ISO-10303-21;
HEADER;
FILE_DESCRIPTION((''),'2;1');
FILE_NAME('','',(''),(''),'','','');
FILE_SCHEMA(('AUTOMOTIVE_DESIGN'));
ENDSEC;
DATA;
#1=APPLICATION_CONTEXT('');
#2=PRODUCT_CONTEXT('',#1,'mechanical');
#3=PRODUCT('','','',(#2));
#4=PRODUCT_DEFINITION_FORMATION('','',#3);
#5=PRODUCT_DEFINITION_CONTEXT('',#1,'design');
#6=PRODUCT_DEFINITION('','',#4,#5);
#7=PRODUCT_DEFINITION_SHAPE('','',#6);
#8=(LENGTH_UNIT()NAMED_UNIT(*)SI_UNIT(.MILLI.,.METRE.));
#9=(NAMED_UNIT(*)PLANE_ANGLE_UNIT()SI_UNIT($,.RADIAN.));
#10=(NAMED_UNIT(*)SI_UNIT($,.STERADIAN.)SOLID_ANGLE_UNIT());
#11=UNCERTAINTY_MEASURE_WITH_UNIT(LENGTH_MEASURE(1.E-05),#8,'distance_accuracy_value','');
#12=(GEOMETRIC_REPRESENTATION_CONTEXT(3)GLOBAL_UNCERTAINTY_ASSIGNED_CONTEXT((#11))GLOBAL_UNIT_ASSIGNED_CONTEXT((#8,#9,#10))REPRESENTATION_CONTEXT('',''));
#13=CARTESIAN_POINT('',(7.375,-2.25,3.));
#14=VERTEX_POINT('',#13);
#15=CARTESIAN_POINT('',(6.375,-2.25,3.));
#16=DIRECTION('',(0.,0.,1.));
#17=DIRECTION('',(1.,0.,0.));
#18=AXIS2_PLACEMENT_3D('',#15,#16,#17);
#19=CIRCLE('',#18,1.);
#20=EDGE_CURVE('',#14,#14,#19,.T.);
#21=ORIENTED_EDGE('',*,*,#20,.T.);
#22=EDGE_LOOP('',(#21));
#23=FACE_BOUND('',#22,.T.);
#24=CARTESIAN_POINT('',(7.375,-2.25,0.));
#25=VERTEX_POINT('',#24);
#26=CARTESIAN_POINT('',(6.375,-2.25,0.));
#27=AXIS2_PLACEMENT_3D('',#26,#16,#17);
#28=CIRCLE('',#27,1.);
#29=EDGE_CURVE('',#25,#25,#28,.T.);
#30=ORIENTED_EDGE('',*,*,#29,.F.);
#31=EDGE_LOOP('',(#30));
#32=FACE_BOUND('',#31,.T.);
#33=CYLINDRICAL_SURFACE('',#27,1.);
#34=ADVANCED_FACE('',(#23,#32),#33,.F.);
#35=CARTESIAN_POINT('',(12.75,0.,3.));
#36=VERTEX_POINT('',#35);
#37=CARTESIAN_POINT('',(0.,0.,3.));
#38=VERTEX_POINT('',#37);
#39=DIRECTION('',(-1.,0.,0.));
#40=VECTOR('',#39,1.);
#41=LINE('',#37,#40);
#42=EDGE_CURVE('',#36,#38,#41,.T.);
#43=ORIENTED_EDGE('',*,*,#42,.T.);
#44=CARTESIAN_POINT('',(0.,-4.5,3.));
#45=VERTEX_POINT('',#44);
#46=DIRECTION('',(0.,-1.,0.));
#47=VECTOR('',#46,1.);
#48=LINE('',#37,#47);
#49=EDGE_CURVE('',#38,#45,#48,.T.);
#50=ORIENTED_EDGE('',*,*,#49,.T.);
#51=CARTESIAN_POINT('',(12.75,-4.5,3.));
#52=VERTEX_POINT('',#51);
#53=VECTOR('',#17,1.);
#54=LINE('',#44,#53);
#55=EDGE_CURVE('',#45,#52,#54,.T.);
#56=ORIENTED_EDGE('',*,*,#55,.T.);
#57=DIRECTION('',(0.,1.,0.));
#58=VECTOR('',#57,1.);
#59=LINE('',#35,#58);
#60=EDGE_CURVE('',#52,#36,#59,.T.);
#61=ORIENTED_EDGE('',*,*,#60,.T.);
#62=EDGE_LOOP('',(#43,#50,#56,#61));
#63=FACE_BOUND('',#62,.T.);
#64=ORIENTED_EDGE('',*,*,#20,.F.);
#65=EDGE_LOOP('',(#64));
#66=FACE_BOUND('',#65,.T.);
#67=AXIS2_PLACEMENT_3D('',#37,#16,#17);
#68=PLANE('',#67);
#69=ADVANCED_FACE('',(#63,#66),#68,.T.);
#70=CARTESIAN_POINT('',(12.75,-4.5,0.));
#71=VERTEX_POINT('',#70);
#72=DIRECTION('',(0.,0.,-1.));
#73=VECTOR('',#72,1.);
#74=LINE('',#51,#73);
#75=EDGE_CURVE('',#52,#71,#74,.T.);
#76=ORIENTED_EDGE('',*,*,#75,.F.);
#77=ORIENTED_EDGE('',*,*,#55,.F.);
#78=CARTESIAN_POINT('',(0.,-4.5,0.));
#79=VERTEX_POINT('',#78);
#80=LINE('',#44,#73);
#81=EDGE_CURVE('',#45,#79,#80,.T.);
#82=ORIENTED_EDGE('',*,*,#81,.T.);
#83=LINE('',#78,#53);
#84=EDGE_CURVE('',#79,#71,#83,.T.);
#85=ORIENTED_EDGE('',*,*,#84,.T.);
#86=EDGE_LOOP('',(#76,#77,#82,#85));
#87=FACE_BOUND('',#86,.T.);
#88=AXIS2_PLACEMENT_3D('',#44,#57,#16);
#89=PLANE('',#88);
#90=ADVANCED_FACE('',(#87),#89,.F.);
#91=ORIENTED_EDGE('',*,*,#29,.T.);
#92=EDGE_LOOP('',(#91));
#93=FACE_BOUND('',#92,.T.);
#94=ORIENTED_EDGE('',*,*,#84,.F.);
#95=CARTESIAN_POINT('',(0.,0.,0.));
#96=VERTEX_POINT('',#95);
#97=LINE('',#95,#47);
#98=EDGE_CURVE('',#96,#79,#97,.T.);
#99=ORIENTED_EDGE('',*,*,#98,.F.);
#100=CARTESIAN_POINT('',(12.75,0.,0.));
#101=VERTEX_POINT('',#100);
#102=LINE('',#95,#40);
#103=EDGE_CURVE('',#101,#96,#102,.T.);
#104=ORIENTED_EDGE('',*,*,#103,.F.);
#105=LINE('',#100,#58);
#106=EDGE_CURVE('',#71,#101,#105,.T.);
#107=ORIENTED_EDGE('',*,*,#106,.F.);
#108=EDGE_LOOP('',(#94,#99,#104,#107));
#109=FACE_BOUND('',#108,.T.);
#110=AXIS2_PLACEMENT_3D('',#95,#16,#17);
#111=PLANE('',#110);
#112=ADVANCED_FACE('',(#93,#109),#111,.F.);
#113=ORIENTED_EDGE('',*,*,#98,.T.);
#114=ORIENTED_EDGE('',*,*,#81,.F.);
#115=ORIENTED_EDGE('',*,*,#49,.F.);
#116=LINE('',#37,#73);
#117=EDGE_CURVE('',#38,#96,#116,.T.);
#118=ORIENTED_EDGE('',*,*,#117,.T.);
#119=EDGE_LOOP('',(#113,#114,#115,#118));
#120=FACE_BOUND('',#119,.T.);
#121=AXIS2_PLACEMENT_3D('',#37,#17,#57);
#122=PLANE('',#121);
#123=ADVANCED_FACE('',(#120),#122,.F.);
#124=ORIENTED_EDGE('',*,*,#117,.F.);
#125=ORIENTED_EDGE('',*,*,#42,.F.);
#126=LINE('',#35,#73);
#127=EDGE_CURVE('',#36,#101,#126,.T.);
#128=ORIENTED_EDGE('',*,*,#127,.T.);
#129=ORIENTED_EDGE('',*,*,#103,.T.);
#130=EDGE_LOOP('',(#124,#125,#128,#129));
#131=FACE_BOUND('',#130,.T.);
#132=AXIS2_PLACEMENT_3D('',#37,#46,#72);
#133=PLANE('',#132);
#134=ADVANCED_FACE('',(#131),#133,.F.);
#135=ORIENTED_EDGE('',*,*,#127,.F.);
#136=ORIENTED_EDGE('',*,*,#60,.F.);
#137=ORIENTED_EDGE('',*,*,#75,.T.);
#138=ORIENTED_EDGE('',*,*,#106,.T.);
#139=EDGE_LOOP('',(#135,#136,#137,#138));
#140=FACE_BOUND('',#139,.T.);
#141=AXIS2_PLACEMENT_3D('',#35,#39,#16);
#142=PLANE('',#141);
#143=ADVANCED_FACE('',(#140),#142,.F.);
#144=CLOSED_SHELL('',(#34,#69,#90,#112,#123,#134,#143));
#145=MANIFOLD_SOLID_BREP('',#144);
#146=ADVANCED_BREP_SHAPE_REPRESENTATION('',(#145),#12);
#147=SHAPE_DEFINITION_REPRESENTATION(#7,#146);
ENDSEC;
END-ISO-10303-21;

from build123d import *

# Parameters (mm, degrees)
SKETCH1_W           = 12.75
SKETCH1_H           = 4.5
BOSS_EXTRUDE1_DEPTH = 3
SKETCH2_R           = 1
CUT_EXTRUDE1_DEPTH  = 3


with BuildPart() as part:
    # Sketch1 → Boss-Extrude1 (new body)
    with BuildSketch(Plane.XY):
        with Locations((6.375, -2.25)):
            Rectangle(SKETCH1_W, SKETCH1_H)
    extrude(amount=BOSS_EXTRUDE1_DEPTH)

    # Sketch2 → Cut-Extrude1 (cut)
    with BuildSketch(Plane.XY.offset(3)):
        with Locations((6.375, -2.25)):
            Circle(SKETCH2_R)
    extrude(amount=-CUT_EXTRUDE1_DEPTH, mode=Mode.SUBTRACT)


solid = part.part
